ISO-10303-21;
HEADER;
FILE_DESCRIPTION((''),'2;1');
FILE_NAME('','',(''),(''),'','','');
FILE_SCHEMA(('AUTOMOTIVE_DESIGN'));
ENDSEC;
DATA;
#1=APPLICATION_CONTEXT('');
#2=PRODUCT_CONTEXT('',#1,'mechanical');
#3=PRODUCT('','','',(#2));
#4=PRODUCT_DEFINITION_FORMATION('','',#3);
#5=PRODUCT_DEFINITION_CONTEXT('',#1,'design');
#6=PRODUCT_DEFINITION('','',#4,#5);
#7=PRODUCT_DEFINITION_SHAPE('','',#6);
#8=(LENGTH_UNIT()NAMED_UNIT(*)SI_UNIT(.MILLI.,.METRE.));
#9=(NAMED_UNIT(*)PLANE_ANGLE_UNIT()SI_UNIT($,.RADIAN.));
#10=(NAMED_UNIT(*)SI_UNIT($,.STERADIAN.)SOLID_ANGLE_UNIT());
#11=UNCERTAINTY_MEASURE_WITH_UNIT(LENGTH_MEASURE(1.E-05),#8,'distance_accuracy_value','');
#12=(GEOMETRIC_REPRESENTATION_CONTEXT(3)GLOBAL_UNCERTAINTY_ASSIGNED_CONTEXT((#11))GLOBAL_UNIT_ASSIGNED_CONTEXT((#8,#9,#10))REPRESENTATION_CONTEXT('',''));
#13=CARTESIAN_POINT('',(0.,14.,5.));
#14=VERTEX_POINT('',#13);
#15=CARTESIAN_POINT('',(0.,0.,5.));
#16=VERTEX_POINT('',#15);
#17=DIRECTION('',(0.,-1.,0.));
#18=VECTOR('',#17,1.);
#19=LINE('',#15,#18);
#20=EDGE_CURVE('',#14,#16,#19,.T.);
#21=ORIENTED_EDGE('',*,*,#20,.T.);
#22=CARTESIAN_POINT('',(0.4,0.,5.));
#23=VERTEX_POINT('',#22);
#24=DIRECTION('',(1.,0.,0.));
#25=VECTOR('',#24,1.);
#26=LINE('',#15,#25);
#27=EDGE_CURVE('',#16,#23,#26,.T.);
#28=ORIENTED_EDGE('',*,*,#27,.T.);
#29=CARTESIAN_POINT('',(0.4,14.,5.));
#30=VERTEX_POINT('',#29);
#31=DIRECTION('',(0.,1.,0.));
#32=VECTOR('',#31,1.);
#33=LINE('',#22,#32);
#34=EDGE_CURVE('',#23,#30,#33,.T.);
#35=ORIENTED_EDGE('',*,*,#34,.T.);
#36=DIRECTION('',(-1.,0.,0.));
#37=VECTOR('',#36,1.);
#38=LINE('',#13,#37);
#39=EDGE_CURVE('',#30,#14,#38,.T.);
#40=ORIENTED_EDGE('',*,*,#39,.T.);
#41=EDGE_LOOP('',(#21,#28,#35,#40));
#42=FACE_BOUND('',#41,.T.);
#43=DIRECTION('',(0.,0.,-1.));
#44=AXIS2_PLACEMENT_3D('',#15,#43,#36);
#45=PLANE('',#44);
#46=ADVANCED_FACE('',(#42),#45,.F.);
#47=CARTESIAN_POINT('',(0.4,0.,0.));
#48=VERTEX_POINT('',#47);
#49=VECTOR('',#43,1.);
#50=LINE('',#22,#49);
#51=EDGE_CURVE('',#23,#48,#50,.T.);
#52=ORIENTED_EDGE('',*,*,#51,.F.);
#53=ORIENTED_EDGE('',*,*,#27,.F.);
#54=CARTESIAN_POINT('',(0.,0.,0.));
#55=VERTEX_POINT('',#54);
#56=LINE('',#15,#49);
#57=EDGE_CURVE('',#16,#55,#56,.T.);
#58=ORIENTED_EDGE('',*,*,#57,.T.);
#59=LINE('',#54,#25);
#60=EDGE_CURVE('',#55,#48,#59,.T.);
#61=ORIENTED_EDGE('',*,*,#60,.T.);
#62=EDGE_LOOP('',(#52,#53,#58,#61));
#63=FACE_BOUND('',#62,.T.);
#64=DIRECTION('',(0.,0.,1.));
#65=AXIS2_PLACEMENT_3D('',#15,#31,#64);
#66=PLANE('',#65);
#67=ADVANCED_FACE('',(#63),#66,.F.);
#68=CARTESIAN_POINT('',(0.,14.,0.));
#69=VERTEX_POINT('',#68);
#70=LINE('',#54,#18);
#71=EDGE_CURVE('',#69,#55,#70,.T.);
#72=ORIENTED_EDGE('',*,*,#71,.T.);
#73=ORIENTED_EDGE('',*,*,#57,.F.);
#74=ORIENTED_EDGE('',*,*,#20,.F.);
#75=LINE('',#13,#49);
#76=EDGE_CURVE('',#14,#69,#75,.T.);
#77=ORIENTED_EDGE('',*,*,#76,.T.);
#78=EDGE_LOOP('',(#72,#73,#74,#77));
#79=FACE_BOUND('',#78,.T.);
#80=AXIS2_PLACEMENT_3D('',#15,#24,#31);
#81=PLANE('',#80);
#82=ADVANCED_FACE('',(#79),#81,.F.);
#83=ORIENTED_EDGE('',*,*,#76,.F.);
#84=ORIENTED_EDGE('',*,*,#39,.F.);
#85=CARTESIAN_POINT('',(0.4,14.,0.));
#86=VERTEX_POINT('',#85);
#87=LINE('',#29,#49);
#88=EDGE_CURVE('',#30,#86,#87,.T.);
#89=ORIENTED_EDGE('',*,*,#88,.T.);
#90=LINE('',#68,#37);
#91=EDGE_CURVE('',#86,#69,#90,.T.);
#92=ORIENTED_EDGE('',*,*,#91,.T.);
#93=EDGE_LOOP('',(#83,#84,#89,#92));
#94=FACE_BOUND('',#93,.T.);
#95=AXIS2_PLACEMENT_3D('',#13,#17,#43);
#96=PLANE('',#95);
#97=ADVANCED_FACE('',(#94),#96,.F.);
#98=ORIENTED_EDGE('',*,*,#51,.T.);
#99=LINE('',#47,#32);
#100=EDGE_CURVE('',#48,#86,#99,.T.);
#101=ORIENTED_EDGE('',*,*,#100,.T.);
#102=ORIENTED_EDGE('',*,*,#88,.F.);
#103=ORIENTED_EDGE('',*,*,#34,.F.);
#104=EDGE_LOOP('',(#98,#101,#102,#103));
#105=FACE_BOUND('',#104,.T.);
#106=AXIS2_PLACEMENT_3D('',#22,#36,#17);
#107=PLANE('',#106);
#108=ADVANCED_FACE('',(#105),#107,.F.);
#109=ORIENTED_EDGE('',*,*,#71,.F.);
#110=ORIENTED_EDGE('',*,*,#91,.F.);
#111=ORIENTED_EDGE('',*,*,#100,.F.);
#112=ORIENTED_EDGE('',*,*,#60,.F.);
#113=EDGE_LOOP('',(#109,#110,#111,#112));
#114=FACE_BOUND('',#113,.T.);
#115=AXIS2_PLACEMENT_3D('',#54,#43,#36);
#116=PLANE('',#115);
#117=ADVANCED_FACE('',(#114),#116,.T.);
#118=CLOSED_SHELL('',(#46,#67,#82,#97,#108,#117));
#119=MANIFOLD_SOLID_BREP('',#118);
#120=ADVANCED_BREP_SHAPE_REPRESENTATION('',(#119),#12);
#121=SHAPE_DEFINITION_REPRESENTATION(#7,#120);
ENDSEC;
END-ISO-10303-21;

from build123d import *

# Parameters (mm, degrees)
SKETCH1_W           = 0.4
SKETCH1_H           = 14
BOSS_EXTRUDE1_DEPTH = 5


with BuildPart() as part:
    # Sketch1 → Boss-Extrude1 (new body)
    with BuildSketch(Plane.XY):
        with Locations((0.2, 7)):
            Rectangle(SKETCH1_W, SKETCH1_H)
    extrude(amount=BOSS_EXTRUDE1_DEPTH)


solid = part.part
